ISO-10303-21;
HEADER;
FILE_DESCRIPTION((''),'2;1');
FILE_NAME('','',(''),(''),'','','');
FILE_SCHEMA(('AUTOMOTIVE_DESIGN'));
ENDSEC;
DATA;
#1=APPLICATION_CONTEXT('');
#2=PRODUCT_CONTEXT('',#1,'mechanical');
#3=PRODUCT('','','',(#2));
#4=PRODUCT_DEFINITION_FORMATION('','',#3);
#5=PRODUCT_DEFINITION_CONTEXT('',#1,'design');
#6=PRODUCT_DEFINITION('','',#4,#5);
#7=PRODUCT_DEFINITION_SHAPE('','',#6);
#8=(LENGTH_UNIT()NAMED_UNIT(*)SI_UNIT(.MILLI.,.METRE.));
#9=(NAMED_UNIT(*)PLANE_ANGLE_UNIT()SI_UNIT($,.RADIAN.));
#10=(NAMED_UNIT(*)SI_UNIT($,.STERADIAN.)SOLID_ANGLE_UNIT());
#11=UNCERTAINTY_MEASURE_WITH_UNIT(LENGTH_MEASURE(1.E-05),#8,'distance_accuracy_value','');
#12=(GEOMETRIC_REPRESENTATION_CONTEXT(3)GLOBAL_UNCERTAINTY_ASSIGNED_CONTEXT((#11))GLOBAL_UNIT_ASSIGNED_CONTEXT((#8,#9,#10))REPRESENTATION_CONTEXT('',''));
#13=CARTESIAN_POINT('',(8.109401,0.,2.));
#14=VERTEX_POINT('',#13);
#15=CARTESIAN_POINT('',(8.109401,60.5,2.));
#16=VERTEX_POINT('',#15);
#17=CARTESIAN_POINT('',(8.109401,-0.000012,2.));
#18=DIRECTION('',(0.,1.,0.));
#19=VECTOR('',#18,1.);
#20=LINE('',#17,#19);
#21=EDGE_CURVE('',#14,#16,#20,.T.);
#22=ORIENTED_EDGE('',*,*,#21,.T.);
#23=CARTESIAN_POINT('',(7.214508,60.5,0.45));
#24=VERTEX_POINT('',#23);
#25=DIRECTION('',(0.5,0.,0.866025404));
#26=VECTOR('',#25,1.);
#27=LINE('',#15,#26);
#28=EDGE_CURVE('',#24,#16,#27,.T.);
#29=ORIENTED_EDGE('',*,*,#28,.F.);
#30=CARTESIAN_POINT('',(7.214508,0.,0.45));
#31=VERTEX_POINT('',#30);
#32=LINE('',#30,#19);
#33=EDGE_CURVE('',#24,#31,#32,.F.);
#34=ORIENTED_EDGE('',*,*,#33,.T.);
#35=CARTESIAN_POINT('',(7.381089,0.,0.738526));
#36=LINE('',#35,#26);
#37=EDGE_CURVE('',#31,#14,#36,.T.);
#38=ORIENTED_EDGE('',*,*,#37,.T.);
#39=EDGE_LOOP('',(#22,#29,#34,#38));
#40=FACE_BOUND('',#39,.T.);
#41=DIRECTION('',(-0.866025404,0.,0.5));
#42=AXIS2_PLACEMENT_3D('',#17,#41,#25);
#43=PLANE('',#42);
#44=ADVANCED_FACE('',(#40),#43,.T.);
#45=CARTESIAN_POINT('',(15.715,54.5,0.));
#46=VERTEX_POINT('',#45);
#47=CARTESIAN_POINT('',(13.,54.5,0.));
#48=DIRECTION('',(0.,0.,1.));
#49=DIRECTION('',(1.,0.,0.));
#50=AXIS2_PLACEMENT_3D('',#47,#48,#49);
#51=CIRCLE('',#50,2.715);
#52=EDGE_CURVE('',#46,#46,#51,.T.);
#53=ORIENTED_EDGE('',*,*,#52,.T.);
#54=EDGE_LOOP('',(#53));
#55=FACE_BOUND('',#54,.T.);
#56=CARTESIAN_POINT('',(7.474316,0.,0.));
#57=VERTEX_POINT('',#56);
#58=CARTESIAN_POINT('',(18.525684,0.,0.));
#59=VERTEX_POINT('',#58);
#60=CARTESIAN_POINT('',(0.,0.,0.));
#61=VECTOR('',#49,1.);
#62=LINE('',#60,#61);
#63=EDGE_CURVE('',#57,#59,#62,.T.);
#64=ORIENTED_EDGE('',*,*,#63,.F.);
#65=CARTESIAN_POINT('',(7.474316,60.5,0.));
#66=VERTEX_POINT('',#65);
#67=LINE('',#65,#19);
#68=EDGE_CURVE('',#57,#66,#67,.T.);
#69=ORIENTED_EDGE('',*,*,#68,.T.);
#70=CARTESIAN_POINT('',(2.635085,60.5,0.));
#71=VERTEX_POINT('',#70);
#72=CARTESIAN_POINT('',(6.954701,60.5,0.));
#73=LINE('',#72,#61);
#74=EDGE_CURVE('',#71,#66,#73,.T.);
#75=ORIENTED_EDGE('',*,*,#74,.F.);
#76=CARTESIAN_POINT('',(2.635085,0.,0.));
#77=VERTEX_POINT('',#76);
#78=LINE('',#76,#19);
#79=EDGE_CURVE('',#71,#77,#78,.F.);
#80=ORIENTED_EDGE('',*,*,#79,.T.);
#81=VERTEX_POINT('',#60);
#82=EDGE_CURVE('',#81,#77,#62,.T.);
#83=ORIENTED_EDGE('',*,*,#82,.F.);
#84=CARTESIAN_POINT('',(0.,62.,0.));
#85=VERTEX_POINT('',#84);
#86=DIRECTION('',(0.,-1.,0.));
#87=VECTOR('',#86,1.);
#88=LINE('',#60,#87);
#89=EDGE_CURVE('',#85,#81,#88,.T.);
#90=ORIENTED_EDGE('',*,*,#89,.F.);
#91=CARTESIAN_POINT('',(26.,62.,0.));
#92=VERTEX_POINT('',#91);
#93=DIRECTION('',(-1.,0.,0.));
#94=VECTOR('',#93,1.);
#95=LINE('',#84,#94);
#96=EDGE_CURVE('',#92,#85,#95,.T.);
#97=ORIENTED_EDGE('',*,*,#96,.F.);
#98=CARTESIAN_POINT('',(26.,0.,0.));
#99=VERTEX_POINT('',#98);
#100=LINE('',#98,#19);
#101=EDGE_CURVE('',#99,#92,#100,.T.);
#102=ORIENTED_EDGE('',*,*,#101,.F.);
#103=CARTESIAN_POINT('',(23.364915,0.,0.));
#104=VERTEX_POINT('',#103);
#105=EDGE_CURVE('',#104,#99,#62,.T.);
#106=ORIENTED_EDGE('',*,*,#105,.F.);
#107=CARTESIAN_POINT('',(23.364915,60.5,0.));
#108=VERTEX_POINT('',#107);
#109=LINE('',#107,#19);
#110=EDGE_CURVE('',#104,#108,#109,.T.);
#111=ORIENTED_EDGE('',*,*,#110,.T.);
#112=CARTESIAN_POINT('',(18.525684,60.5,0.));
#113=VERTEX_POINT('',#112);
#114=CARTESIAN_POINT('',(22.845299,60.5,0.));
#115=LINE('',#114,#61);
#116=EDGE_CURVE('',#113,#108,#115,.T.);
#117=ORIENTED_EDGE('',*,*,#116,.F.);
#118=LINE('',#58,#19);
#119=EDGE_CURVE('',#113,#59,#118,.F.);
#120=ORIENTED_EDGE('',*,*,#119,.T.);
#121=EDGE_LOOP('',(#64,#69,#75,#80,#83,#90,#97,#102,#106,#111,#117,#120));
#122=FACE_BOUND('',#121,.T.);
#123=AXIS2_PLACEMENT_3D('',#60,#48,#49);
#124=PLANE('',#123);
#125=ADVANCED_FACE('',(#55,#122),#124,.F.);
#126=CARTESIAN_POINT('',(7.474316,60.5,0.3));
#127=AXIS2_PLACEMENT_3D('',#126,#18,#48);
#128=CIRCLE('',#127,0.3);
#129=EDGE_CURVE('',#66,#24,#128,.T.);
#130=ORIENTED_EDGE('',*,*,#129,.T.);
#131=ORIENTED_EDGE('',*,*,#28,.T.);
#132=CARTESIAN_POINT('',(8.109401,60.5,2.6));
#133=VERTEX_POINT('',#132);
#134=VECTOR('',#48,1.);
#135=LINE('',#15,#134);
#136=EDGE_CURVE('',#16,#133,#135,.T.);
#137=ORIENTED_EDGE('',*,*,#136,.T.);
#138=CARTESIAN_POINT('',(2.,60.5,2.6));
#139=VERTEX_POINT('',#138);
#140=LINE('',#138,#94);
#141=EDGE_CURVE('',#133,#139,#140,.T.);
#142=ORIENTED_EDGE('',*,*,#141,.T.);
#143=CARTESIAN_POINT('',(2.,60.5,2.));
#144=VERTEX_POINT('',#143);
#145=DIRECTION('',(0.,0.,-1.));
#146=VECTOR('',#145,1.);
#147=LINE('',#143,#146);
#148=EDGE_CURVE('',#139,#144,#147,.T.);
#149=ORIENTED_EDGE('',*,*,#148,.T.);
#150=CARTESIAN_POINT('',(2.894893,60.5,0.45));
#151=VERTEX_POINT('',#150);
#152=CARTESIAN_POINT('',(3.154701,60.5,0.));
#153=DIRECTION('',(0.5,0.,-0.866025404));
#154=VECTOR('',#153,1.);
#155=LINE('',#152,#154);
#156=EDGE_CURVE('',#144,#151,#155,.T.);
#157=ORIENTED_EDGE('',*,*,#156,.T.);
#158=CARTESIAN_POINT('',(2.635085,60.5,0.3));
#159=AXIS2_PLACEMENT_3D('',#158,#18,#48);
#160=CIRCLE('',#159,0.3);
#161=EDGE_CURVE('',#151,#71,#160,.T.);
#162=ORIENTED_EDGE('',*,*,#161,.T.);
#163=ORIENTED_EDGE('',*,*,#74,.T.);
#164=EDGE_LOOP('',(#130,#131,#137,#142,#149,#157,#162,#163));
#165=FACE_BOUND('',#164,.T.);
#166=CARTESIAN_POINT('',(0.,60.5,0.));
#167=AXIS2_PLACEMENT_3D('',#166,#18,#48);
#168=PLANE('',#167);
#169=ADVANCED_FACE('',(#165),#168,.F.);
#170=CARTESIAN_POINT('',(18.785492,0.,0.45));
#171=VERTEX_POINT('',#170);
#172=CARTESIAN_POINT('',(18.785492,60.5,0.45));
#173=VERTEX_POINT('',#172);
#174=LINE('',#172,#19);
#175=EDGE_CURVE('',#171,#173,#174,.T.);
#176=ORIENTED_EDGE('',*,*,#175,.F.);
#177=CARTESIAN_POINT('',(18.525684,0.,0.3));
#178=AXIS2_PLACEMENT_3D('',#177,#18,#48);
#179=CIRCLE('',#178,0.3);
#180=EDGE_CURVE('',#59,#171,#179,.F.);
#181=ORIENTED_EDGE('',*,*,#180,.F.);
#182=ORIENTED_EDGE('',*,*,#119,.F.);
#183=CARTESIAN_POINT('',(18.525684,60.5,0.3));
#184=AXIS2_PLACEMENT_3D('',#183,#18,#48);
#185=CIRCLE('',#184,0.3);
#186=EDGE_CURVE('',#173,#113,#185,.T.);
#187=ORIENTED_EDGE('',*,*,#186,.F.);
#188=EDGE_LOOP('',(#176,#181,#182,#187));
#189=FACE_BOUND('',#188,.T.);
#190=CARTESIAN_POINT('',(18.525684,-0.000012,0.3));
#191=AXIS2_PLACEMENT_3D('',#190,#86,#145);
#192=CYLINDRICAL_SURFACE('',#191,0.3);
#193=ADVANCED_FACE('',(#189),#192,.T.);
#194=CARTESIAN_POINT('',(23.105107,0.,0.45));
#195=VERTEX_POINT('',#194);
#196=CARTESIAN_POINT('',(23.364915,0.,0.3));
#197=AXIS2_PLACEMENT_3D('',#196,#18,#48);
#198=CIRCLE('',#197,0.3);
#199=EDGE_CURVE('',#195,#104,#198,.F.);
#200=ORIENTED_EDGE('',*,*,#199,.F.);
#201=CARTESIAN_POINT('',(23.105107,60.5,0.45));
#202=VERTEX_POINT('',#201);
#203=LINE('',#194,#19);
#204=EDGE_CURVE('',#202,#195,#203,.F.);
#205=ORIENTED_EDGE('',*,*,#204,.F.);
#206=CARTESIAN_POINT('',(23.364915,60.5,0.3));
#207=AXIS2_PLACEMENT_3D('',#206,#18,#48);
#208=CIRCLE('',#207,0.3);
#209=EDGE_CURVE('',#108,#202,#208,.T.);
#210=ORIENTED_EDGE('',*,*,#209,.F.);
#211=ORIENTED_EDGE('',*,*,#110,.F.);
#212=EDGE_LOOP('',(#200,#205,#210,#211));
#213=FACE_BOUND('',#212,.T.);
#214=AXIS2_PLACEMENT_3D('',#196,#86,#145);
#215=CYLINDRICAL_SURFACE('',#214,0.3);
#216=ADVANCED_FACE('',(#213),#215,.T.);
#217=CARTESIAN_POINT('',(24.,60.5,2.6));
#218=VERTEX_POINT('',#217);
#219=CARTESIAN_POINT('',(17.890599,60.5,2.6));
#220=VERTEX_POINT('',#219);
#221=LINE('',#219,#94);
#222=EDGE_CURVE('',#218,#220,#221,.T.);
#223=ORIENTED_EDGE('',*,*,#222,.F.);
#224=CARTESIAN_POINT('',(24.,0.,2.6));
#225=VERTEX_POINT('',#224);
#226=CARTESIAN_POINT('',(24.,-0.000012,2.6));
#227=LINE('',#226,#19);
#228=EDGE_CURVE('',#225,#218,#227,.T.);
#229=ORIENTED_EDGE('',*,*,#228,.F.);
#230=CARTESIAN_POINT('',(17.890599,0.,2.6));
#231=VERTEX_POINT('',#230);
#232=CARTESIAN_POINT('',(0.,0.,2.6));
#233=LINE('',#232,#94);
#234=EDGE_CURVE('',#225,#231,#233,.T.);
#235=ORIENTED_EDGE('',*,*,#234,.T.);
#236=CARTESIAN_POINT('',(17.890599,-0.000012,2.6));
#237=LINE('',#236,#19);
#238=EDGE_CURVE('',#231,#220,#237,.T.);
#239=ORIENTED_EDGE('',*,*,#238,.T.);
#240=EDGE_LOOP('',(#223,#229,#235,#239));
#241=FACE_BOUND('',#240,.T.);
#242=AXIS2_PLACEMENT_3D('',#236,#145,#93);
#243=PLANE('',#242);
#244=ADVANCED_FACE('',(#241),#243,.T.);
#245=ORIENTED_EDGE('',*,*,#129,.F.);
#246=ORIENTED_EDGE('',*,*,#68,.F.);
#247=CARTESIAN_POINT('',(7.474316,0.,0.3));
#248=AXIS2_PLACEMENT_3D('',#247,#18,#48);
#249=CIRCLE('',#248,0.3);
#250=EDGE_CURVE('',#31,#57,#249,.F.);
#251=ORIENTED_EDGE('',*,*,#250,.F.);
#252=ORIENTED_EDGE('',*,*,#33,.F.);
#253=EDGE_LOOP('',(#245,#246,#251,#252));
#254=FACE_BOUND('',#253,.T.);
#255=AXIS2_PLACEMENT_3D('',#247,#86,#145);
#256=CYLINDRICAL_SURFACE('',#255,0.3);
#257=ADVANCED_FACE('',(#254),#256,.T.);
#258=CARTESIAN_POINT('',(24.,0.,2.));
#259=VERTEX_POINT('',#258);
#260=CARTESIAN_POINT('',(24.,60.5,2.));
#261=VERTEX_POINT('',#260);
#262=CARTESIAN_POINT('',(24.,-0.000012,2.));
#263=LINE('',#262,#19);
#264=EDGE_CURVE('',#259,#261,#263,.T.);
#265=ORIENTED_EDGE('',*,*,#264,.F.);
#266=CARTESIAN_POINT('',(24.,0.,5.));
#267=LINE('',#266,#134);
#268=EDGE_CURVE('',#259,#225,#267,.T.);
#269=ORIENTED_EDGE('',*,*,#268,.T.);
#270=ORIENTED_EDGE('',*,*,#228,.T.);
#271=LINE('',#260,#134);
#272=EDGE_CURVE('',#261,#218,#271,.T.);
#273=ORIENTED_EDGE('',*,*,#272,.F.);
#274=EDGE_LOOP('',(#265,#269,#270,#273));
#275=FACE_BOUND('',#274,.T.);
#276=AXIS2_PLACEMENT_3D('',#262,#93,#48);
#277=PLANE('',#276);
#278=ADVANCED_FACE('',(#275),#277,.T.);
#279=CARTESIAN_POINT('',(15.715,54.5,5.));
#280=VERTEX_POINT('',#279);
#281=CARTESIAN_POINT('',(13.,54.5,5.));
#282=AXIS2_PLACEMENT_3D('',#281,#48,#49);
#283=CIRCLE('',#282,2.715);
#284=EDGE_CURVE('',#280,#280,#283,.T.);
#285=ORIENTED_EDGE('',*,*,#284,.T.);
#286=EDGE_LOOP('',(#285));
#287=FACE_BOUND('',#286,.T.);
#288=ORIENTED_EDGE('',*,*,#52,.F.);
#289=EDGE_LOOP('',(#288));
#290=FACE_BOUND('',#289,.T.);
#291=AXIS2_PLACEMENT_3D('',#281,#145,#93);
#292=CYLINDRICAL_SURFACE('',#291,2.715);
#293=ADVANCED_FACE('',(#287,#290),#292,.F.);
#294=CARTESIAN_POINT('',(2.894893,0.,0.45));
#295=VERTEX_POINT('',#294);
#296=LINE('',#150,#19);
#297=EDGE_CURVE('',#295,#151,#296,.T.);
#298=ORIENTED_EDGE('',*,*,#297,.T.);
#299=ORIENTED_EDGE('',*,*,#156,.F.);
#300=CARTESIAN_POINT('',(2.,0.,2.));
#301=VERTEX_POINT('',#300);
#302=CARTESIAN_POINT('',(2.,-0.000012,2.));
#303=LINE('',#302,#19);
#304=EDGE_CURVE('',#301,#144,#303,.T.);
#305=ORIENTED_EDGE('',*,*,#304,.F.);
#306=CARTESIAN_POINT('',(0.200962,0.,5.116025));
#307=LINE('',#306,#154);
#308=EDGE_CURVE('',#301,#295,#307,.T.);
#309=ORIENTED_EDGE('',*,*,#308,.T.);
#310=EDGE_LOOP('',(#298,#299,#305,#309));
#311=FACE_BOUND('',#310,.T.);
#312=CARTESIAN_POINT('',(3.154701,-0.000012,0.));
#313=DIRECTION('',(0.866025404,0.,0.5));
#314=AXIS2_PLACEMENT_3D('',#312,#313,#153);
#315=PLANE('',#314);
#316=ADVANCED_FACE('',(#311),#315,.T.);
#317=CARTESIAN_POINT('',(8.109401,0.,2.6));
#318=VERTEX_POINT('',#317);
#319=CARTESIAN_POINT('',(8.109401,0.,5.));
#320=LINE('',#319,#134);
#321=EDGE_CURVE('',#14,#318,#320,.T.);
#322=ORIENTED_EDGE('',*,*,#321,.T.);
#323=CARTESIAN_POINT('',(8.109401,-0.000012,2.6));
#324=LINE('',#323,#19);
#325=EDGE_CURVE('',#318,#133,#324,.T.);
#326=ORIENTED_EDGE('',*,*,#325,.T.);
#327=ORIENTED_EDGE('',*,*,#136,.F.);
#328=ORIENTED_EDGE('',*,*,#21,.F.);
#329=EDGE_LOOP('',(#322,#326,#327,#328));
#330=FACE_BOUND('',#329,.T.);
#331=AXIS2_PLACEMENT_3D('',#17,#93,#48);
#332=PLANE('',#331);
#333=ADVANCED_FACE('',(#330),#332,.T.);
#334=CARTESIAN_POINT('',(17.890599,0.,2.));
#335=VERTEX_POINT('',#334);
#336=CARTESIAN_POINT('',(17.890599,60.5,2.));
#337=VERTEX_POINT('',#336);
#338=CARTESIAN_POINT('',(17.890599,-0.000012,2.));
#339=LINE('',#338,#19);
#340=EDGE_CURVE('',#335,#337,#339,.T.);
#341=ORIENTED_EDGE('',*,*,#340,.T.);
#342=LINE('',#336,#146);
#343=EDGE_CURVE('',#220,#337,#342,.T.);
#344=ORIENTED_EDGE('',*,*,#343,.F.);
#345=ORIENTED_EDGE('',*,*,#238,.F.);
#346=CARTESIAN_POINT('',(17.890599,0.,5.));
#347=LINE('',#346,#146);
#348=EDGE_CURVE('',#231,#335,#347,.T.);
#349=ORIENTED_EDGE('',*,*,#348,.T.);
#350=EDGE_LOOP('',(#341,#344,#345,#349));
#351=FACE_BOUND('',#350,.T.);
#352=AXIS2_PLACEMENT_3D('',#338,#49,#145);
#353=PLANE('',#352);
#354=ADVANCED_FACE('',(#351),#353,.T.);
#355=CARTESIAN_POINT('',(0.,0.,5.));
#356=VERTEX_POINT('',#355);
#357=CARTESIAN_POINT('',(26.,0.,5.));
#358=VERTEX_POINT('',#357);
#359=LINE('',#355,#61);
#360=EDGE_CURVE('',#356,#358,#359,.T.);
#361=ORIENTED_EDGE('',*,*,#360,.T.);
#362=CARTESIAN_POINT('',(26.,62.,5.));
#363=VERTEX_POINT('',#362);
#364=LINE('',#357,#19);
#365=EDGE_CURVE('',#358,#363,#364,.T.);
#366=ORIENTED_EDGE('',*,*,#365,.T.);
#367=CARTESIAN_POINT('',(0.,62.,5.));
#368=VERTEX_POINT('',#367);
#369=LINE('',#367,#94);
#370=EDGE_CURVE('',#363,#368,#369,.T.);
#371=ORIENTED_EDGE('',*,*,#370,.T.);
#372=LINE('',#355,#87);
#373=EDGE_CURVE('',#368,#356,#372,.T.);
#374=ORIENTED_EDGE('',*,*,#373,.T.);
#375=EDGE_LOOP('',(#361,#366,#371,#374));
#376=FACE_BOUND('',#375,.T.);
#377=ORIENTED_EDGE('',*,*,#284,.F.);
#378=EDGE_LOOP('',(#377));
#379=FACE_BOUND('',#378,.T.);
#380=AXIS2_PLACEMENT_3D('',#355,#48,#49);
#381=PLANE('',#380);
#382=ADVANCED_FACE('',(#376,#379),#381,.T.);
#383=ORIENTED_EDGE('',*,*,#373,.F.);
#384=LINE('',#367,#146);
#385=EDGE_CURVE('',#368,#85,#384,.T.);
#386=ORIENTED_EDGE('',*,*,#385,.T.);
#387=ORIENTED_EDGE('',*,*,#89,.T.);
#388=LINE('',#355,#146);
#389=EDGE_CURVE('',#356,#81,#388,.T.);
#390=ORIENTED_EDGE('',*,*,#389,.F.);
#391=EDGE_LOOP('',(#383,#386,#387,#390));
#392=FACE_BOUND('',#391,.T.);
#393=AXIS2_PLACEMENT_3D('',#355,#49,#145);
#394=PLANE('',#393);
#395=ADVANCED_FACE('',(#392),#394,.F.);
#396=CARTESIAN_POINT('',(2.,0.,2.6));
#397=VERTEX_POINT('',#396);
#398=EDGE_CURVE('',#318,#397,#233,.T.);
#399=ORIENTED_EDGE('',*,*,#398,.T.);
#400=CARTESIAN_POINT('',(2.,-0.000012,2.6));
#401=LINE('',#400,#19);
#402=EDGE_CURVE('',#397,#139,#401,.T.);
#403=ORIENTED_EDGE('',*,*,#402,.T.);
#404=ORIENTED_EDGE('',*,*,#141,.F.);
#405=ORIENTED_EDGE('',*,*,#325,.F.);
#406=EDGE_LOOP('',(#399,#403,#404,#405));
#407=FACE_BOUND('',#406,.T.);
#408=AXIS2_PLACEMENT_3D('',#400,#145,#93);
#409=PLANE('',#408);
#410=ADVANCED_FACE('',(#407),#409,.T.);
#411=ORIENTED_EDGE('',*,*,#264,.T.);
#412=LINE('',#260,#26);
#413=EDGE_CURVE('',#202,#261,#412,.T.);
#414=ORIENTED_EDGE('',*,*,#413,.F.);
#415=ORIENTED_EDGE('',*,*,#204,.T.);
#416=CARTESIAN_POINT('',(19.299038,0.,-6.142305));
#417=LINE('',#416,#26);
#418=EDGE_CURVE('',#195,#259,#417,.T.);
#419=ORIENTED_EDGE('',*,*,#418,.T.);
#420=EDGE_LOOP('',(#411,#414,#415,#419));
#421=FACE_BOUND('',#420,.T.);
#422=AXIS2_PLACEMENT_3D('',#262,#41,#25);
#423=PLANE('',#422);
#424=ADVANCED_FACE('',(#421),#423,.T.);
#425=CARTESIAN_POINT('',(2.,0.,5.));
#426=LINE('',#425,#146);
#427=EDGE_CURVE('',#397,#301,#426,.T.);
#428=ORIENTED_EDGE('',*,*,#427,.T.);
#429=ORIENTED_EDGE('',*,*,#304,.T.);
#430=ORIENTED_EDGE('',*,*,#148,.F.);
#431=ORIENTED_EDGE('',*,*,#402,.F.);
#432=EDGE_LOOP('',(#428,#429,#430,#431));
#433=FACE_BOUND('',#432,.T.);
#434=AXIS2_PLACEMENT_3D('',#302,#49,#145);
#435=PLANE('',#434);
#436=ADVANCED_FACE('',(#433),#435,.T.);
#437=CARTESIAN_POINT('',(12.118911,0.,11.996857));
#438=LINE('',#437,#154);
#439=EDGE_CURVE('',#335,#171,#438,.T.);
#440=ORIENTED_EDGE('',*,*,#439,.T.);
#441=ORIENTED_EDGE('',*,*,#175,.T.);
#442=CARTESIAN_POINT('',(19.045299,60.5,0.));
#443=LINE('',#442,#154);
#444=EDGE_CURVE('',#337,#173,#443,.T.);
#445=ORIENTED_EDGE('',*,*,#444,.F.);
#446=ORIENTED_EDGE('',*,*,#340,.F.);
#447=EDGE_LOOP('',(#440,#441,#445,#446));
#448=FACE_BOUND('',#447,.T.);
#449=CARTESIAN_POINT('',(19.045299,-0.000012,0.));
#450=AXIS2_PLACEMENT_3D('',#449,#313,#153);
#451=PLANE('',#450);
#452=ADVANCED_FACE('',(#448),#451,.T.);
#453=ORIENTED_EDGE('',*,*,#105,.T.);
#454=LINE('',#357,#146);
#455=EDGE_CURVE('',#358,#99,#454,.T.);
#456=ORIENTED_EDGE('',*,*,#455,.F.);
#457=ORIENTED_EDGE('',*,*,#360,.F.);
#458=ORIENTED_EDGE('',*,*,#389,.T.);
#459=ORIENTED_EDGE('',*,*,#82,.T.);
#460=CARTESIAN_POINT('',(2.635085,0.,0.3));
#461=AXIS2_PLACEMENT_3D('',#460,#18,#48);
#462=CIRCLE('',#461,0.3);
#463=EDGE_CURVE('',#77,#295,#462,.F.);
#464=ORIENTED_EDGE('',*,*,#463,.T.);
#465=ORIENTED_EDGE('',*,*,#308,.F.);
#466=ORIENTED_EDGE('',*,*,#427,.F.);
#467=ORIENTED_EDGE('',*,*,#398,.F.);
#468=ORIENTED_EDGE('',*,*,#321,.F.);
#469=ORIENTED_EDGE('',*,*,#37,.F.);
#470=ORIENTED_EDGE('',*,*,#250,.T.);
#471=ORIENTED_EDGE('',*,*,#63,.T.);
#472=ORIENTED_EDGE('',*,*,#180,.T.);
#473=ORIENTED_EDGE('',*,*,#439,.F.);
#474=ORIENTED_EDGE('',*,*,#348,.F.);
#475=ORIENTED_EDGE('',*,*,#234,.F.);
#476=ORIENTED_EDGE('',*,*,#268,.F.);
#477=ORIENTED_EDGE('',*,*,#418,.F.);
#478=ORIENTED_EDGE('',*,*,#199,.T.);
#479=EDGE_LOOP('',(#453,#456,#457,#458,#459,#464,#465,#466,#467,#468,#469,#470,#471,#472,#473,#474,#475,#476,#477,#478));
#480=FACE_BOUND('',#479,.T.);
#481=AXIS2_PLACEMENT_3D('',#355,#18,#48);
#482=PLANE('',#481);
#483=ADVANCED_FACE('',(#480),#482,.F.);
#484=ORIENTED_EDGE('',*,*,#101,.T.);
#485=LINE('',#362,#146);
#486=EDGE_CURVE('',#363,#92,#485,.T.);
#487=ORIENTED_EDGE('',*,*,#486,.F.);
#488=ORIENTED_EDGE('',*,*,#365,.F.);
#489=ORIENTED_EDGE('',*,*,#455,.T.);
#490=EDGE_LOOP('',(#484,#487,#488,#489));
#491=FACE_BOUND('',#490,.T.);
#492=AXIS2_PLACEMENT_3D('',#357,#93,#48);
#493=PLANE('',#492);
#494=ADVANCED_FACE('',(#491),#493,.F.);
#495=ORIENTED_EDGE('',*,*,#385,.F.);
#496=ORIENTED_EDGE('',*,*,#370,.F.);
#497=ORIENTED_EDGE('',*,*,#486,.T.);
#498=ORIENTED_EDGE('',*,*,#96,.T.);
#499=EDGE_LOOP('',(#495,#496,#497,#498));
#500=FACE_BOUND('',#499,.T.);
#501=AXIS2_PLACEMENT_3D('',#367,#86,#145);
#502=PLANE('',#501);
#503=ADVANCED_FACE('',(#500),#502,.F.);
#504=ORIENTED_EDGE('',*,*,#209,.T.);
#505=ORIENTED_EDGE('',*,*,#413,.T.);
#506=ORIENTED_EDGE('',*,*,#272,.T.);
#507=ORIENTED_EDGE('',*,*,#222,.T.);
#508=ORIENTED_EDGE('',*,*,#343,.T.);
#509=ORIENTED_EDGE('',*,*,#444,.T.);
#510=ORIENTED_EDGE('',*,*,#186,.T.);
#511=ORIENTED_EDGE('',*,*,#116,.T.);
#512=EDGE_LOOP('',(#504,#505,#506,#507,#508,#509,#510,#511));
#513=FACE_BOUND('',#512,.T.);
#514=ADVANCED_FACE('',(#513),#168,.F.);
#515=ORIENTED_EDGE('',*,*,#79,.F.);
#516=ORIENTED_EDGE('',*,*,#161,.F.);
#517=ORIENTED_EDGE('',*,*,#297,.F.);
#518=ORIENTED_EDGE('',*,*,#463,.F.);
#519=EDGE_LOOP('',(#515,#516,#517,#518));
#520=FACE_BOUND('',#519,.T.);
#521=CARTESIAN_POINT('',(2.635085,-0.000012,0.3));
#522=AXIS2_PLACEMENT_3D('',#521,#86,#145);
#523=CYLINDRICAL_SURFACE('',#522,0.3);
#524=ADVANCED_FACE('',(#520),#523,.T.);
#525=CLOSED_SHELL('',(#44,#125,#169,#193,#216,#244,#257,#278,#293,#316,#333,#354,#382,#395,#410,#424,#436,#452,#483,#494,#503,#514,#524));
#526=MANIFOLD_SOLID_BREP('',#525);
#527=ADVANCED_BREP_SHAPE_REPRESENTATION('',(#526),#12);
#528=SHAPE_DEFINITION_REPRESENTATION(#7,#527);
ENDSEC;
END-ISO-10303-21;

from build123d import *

# Parameters (mm, degrees)
ESQUISSE1_W                  = 26
ESQUISSE1_H                  = 62
ESQUISSE1_R                  = 2.715
BOSS_EXTRU_1_DEPTH           = 5
ENL_V_MAT_EXTRU_1_DEPTH      = 68.416615163
ENL_V_MAT_EXTRU_1_DEPTH_BACK = 60.5
CONG_3_R                     = 0.3


with BuildPart() as part:
    # Esquisse1 → Boss.-Extru.1 (new body)
    with BuildSketch(Plane.XY):
        with Locations((13, 31)):
            Rectangle(ESQUISSE1_W, ESQUISSE1_H)
        with Locations((13, 54.5)):
            Circle(ESQUISSE1_R, mode=Mode.SUBTRACT)
    extrude(amount=BOSS_EXTRU_1_DEPTH)

    # Esquisse3 → Enlèv. mat.-Extru.1 (cut, two sides: drawn at the far end of the back side and taken through both)
    with BuildSketch(Plane.XZ.offset(-ENL_V_MAT_EXTRU_1_DEPTH_BACK)):
        Polygon((3.154700538, 0), (2, 2), (2, 2.6), (8.109401077, 2.6), (8.109401077, 2), (6.954700538, 0), align=None)
        Polygon((19.045299462, 0), (17.890598923, 2), (17.890598923, 2.6), (24, 2.6), (24, 2), (22.845299462, 0), align=None)
    extrude(amount=ENL_V_MAT_EXTRU_1_DEPTH + ENL_V_MAT_EXTRU_1_DEPTH_BACK, mode=Mode.SUBTRACT)

    # Congé3
    cong_3_edges = [part.edges().sort_by_distance(p)[0] for p in [
        (3.154700538, 30.25, 0),
        (6.954700538, 30.25, 0),
        (19.045299462, 30.25, 0),
        (22.845299462, 30.25, 0),
    ]]
    fillet(cong_3_edges, radius=CONG_3_R)


solid = part.part
